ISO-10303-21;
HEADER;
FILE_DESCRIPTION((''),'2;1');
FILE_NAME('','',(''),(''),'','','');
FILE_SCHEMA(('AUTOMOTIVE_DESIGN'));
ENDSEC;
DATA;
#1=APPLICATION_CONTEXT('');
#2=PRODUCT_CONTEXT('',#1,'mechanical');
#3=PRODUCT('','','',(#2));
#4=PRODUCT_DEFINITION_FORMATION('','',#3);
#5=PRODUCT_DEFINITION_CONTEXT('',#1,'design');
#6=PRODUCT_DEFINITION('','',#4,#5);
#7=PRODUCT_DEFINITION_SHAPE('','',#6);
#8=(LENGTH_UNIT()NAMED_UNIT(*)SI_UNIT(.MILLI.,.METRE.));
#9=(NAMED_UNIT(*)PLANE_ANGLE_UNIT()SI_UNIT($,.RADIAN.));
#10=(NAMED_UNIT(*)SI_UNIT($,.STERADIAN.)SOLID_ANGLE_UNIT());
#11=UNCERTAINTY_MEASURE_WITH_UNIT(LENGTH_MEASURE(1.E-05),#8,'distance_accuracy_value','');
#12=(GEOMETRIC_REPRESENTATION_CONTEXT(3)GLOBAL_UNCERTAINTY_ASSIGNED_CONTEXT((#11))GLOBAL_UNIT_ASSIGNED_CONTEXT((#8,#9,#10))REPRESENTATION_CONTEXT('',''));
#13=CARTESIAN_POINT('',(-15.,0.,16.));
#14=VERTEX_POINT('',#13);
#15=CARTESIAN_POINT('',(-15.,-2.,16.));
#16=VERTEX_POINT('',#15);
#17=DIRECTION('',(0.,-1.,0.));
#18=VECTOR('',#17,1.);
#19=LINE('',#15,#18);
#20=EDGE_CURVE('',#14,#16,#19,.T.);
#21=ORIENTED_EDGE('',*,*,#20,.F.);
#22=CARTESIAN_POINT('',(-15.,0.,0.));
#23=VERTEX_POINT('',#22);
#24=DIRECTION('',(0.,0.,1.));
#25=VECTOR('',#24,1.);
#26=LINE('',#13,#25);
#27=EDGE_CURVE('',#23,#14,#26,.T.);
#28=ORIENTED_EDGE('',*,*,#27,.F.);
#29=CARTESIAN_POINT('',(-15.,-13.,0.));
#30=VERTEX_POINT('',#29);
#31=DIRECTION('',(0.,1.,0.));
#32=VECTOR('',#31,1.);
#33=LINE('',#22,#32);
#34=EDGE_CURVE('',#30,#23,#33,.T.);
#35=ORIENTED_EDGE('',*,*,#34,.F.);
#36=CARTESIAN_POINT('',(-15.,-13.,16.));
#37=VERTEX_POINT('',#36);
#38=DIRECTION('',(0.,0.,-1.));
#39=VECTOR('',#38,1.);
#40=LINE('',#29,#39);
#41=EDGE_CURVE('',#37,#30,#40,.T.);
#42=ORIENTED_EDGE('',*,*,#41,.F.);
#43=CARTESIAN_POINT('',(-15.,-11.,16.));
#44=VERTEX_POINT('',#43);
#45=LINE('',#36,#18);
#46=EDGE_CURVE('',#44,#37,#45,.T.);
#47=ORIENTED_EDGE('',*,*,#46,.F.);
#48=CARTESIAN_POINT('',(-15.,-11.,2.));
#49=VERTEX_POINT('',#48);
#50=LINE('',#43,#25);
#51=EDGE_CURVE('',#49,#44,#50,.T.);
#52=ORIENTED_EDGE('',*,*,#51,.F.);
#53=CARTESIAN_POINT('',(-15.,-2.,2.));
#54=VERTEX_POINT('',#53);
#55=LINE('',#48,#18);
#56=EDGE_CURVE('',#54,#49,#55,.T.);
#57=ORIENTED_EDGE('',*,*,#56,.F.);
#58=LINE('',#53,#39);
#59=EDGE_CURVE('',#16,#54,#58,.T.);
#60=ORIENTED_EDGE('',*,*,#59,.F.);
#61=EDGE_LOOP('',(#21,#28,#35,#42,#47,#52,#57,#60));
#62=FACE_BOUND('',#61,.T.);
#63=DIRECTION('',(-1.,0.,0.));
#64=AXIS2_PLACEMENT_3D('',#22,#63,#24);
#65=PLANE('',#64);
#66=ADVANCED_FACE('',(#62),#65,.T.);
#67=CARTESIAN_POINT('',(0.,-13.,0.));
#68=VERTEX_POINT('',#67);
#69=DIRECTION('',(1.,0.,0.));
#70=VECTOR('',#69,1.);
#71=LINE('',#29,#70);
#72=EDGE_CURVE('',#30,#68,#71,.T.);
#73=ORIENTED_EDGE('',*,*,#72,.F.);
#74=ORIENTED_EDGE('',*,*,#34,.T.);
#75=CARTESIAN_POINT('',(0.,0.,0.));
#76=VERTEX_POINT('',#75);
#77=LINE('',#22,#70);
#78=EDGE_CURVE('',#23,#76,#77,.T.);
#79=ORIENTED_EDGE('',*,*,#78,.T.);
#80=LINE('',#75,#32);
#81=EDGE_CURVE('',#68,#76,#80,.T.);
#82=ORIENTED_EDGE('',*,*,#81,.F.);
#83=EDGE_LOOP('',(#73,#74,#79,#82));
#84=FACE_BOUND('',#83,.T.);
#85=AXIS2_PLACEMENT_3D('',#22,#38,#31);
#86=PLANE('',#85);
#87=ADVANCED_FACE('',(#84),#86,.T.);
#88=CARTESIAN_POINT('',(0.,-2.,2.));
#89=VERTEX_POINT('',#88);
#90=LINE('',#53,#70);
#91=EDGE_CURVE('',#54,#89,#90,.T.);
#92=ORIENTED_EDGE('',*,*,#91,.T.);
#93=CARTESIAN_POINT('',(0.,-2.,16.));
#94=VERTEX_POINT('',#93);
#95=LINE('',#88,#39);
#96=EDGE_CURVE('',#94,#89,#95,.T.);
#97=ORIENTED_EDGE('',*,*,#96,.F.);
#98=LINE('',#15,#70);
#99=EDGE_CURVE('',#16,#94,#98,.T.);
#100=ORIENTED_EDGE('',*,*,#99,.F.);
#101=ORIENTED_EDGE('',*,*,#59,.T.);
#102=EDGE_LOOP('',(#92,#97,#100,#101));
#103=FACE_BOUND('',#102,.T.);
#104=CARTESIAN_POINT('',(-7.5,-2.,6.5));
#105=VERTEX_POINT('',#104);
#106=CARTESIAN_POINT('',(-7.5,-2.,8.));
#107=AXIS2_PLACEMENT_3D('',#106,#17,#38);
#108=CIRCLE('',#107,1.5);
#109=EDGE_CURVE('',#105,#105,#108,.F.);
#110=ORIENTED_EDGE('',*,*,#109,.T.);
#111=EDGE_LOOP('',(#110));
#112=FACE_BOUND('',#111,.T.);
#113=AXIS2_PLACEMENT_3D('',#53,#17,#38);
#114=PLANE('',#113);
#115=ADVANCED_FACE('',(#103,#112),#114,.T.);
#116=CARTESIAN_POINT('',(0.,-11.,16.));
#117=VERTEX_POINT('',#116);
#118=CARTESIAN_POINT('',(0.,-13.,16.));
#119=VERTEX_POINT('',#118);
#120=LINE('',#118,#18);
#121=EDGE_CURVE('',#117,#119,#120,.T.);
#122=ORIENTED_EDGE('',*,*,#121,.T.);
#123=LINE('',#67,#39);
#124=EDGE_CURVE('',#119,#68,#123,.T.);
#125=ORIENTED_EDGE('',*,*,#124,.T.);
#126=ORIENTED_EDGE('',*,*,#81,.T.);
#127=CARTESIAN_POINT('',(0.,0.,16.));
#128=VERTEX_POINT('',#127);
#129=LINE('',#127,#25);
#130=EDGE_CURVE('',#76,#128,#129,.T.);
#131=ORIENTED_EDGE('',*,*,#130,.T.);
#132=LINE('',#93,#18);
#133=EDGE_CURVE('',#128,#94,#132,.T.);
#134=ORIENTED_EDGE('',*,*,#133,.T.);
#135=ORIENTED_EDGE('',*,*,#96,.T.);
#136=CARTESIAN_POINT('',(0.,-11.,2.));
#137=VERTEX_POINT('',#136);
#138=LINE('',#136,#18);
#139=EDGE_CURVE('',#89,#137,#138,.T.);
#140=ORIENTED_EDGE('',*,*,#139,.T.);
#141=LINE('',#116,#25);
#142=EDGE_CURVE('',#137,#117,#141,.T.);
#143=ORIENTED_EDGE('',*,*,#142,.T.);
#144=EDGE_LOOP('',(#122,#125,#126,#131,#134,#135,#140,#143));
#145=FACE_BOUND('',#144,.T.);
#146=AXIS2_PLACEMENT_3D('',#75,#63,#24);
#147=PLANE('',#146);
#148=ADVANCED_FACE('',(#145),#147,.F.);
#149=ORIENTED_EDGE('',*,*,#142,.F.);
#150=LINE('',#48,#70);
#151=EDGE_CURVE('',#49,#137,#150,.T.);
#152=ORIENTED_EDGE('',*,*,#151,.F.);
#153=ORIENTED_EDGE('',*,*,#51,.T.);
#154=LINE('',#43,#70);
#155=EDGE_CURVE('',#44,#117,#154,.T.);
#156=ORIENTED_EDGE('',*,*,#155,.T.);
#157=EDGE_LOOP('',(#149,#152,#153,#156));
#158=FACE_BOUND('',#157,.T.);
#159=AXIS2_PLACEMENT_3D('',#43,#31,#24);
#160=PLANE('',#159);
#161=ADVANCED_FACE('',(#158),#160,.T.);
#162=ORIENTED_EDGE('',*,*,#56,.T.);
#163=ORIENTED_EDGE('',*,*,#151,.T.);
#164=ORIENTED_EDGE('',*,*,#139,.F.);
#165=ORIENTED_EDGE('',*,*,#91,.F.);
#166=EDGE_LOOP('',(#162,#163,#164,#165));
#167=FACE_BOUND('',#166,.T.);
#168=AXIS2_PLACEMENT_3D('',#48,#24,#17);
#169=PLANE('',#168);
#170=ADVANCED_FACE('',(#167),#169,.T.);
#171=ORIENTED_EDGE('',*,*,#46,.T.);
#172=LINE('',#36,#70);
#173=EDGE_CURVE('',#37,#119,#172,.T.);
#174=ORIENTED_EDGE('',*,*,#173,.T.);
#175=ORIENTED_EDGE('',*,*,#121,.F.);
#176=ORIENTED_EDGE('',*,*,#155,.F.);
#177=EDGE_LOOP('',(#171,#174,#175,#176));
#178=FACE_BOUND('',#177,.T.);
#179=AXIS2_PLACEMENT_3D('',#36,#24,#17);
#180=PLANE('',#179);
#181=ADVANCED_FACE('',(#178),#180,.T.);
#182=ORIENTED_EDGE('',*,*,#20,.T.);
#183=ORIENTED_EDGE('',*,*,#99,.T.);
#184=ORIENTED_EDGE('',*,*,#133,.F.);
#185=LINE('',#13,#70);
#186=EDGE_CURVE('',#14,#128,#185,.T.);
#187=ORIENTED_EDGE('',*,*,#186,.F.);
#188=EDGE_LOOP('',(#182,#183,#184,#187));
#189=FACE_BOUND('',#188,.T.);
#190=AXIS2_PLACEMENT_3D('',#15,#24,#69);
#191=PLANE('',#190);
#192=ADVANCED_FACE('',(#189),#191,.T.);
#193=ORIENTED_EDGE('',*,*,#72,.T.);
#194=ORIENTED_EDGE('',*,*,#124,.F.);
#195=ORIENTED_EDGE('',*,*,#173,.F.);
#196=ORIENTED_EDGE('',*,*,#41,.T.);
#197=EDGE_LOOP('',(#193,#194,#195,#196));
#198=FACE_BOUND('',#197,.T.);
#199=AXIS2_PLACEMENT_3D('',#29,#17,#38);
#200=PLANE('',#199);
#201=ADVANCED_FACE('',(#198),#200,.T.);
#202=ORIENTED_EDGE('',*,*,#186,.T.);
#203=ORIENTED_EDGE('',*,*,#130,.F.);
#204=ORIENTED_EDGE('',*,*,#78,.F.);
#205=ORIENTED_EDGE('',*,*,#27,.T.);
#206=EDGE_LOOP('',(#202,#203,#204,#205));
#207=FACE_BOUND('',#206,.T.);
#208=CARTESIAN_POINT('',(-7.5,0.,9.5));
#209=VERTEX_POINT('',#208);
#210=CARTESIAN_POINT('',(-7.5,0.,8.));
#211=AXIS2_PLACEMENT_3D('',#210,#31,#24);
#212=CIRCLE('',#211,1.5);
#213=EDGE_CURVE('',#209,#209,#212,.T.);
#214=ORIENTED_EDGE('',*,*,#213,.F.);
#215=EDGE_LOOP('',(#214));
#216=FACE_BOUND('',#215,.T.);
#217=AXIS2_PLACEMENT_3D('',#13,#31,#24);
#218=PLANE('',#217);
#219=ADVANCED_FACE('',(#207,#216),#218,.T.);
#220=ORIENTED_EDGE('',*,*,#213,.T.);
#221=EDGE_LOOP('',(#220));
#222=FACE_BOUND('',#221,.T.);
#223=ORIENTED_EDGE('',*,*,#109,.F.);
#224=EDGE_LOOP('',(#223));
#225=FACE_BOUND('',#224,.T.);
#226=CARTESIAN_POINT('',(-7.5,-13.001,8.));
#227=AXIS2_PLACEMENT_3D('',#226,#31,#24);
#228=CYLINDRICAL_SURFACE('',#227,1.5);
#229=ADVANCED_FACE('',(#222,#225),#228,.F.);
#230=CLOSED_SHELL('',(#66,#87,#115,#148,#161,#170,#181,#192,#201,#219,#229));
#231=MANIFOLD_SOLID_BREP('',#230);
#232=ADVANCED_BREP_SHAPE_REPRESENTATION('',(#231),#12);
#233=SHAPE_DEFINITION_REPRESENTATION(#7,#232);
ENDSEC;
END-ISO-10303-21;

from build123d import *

# Parameters (mm, degrees)
BOSS_EXTRUDE1_DEPTH = 15
CUT_EXTRUDE1_REACH  = 15
SKETCH2_R           = 1.5


with BuildPart() as part:
    # Sketch1 → Boss-Extrude1 (new body)
    with BuildSketch(Plane(origin=(0, 0, 0), x_dir=(0, 0, -1), z_dir=(1, 0, 0))):
        Polygon((0, 0), (0, -13), (-16, -13), (-16, -11), (-2, -11), (-2, -2), (-16, -2), (-16, 0), align=None)
    extrude(amount=-BOSS_EXTRUDE1_DEPTH)

    # Sketch2 → Cut-Extrude1 (cut, up to next)
    with BuildSketch(Plane(origin=(0, 0, 0), x_dir=(1, 0, 0), z_dir=(0, 1, 0)), mode=Mode.PRIVATE) as cut_extrude1_sk1:
        with Locations((-7.5, -8)):
            Circle(SKETCH2_R)
    cut_extrude1_tool1 = extrude(cut_extrude1_sk1.sketch, amount=-CUT_EXTRUDE1_REACH, mode=Mode.PRIVATE) & part.part
    add(cut_extrude1_tool1.solids().sort_by_distance((-7.5, 0, 8))[0], mode=Mode.SUBTRACT)


solid = part.part
